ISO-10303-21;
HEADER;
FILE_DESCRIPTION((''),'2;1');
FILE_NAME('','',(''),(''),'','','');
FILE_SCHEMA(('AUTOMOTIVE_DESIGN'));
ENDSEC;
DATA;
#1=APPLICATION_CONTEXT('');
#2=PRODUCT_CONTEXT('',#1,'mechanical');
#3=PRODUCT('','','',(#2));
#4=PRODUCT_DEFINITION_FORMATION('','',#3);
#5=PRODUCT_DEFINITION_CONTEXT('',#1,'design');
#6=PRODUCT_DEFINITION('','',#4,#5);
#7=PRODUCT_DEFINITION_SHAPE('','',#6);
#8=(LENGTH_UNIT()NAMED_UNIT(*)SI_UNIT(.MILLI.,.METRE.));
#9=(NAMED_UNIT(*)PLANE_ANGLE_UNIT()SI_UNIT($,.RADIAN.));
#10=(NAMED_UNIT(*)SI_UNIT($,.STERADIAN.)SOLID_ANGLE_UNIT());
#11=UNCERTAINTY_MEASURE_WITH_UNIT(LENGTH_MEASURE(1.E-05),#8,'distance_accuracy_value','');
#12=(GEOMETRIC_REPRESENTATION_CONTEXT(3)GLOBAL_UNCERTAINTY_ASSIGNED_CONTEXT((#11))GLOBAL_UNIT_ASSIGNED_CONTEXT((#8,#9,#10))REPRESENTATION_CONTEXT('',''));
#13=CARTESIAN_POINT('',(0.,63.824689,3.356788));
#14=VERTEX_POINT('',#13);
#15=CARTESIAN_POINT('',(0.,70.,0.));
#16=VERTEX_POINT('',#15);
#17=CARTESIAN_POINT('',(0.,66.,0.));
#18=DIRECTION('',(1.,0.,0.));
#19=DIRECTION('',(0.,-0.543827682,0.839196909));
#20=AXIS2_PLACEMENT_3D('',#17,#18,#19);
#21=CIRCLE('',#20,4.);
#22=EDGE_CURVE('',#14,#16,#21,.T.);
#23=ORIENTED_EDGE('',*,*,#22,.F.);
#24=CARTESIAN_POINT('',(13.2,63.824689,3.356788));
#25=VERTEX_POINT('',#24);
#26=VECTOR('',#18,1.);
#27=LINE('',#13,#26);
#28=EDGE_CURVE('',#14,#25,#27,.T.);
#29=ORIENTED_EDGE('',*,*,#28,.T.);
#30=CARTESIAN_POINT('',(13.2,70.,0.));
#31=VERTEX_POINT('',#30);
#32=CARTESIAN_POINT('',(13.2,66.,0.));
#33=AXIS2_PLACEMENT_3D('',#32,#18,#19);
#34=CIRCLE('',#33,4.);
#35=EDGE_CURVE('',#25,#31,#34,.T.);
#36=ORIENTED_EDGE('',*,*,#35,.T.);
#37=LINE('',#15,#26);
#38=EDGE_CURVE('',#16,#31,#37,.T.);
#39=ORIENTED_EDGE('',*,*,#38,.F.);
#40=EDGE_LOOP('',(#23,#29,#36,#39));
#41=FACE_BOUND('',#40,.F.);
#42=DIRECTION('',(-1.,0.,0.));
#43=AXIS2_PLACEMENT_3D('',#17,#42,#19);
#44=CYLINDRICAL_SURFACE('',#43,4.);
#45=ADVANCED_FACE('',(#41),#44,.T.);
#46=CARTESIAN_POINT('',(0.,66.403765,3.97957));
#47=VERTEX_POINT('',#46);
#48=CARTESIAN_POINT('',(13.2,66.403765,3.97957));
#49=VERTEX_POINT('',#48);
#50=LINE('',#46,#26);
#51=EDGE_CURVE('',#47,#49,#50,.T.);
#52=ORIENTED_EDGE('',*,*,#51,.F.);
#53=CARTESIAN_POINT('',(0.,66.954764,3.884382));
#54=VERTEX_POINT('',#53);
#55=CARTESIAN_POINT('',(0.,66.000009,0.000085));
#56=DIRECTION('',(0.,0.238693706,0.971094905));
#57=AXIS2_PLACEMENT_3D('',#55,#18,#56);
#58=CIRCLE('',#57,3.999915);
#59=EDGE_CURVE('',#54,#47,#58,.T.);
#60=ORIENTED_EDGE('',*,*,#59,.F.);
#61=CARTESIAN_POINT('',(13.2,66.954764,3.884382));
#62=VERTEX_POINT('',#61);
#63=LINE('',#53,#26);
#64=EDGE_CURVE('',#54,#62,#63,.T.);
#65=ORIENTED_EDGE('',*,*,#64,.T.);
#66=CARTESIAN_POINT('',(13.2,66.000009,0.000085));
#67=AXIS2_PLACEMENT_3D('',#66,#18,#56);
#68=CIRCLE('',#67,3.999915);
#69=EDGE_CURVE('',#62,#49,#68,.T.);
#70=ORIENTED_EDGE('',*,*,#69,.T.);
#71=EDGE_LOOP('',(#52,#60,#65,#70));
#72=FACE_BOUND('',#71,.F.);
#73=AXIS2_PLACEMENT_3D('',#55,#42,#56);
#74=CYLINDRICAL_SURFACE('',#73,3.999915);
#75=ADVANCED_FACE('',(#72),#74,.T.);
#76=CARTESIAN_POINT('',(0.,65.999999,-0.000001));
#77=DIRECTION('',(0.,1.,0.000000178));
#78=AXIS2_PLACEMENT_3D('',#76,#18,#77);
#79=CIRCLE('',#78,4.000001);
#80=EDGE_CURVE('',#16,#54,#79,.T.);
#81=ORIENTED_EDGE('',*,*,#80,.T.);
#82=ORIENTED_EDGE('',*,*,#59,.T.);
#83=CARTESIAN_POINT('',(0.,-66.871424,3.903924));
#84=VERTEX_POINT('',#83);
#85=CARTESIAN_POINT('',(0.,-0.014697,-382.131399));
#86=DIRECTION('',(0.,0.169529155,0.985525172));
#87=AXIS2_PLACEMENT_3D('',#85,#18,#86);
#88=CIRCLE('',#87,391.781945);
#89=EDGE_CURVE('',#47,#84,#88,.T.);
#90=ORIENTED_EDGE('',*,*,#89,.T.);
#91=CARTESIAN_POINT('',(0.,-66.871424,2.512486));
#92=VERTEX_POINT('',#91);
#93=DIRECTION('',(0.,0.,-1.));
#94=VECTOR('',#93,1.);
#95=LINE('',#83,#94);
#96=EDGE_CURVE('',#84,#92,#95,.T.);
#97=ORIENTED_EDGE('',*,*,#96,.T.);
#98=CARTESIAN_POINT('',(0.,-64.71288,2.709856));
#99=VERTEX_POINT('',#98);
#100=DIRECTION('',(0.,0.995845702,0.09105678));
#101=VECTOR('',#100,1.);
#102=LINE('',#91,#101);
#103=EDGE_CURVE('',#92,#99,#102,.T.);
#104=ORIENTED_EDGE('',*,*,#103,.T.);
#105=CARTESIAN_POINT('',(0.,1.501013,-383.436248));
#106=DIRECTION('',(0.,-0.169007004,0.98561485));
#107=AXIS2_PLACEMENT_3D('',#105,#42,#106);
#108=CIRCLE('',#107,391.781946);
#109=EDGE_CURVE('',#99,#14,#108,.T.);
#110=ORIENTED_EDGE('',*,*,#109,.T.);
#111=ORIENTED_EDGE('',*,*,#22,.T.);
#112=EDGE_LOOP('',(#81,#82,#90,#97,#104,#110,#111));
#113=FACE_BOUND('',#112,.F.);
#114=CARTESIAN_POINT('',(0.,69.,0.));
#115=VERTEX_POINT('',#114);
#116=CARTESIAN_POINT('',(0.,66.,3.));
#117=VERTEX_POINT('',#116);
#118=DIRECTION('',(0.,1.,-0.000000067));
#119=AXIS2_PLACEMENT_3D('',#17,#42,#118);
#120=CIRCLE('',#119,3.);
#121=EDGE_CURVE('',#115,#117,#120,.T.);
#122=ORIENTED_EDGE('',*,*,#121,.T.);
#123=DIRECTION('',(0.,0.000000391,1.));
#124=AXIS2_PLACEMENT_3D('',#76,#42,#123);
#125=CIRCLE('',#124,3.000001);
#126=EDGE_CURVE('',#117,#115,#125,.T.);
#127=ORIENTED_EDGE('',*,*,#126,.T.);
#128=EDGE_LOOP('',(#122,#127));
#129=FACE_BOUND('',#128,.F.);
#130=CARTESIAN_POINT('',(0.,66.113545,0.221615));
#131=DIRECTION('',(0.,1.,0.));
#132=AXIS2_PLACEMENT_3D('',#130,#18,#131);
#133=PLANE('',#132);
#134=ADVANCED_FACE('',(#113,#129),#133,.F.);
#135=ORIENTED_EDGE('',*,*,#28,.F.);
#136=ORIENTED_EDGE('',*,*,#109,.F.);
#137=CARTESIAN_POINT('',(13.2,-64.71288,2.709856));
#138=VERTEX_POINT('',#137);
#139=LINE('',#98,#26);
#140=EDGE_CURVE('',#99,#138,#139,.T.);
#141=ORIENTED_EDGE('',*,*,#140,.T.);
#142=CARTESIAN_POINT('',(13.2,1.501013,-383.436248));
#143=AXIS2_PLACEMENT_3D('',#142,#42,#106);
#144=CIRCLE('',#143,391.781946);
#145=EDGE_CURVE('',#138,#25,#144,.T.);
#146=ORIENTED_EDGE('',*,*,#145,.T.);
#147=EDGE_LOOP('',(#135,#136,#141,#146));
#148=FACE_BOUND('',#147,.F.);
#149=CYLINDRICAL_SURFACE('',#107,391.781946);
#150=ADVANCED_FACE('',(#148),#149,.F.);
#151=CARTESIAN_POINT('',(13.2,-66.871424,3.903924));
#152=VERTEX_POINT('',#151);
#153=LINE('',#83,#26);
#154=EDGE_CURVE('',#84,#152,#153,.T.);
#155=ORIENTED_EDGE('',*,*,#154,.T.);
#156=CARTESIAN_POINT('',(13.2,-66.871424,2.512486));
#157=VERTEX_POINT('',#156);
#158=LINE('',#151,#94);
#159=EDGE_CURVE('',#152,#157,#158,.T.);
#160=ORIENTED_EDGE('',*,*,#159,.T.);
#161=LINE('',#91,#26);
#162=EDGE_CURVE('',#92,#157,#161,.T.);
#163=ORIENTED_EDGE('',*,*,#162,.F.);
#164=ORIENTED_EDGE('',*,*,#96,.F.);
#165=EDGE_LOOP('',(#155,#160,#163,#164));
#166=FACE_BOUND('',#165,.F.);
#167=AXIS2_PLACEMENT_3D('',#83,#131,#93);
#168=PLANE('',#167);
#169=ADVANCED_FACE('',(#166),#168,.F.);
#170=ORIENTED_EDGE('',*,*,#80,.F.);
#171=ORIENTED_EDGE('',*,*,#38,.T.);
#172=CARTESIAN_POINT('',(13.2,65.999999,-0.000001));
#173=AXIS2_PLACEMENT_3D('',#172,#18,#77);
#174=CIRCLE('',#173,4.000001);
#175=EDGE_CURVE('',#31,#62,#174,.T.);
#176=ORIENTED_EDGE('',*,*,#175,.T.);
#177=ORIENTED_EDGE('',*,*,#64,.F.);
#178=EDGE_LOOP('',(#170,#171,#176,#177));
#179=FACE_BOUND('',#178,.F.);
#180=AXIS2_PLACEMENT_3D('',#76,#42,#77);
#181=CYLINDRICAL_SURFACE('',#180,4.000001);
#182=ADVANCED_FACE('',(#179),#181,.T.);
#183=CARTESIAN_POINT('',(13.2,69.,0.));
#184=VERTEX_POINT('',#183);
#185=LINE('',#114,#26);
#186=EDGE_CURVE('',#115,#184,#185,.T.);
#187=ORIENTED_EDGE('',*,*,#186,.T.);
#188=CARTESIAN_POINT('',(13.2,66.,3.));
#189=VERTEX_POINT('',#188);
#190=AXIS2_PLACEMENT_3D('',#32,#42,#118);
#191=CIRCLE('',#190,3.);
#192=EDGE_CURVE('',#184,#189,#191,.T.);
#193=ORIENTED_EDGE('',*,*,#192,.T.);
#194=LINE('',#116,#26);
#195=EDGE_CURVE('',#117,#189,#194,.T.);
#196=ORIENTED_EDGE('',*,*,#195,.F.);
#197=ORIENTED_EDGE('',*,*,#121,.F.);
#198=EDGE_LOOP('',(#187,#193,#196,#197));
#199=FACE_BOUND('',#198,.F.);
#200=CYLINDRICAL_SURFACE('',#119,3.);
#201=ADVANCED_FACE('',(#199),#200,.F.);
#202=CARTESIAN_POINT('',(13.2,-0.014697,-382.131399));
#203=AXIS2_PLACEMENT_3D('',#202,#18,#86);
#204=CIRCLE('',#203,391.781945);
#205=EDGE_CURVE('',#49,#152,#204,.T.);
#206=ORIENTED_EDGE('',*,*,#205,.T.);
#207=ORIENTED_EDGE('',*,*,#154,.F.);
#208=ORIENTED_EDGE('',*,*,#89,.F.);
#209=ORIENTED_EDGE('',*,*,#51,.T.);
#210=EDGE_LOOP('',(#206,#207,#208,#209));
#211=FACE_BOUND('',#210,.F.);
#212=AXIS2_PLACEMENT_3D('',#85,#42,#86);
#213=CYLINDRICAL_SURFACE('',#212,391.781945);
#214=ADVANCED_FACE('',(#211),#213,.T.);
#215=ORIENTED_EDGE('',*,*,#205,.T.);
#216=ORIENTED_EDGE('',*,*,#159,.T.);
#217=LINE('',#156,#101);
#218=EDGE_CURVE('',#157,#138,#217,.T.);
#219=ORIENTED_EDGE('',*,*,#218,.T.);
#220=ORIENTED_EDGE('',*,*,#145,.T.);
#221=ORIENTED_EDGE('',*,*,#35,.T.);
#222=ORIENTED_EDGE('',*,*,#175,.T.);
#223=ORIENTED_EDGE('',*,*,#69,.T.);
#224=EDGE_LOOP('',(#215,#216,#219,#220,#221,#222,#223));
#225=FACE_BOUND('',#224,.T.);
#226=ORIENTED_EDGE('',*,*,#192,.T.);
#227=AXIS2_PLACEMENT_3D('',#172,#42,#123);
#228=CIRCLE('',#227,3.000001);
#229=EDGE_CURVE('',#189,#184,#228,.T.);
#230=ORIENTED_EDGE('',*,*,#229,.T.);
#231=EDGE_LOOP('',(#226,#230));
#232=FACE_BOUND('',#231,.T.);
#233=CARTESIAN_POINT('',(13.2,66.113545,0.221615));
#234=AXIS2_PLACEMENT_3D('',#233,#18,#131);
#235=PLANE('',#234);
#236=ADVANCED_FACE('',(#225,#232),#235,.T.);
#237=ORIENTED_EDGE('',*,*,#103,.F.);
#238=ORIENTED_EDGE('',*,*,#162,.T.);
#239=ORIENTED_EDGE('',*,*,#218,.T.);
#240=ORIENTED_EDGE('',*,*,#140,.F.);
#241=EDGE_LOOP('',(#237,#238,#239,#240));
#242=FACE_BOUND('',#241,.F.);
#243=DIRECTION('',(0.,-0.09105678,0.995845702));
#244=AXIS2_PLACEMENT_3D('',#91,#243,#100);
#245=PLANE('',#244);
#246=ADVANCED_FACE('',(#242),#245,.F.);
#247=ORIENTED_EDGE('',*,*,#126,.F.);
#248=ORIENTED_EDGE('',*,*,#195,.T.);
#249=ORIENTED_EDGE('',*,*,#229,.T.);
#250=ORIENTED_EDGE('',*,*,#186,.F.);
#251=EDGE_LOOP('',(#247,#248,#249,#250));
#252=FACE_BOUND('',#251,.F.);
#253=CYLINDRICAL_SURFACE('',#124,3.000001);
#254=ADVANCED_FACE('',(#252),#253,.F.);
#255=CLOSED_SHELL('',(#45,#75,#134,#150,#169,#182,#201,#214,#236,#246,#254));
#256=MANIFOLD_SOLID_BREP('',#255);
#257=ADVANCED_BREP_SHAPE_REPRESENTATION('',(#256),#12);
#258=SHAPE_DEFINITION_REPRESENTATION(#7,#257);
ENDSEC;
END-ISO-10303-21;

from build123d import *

# Parameters (mm, degrees)
F1_DEPTH = 13.2


with BuildPart() as f1:
    # F0 (on Right) → F1 (new body)
    with BuildSketch(Plane.YZ):
        with BuildLine():
            ThreePointArc((63.824689, 3.356788), (64.089665, -3.514345), (70, 0))
            ThreePointArc((70, 0), (69.14794, 2.467888), (66.954764, 3.884382))
            ThreePointArc((66.954764, 3.884382), (66.679281, 3.932074), (66.403765, 3.97957))
            ThreePointArc((66.403765, 3.97957), (65.061087, 3.888244), (63.824689, 3.356788))
        make_face()
        with BuildLine():
            ThreePointArc((69, 0), (63.87868, -2.12132), (66, 3))
            ThreePointArc((66, 3), (68.12132, 2.12132), (69, 0))
        make_face(mode=Mode.SUBTRACT)
        with BuildLine():
            ThreePointArc((66.403765, 3.97957), (66.679281, 3.932074), (66.954764, 3.884382))
            ThreePointArc((66.954764, 3.884382), (66.68093, 3.941616), (66.403765, 3.97957))
        make_face()
        with BuildLine():
            ThreePointArc((-64.71288, 2.709856), (-0.470808, 8.340736), (63.824689, 3.356788))
            ThreePointArc((63.824689, 3.356788), (65.061087, 3.888244), (66.403765, 3.97957))
            ThreePointArc((66.403765, 3.97957), (-0.23707, 9.650483), (-66.871424, 3.903924))
            Line((-66.871424, 3.903924), (-66.871424, 2.512486))
            Line((-66.871424, 2.512486), (-64.71288, 2.709856))
        make_face()
    extrude(amount=F1_DEPTH)


solid = f1.part
